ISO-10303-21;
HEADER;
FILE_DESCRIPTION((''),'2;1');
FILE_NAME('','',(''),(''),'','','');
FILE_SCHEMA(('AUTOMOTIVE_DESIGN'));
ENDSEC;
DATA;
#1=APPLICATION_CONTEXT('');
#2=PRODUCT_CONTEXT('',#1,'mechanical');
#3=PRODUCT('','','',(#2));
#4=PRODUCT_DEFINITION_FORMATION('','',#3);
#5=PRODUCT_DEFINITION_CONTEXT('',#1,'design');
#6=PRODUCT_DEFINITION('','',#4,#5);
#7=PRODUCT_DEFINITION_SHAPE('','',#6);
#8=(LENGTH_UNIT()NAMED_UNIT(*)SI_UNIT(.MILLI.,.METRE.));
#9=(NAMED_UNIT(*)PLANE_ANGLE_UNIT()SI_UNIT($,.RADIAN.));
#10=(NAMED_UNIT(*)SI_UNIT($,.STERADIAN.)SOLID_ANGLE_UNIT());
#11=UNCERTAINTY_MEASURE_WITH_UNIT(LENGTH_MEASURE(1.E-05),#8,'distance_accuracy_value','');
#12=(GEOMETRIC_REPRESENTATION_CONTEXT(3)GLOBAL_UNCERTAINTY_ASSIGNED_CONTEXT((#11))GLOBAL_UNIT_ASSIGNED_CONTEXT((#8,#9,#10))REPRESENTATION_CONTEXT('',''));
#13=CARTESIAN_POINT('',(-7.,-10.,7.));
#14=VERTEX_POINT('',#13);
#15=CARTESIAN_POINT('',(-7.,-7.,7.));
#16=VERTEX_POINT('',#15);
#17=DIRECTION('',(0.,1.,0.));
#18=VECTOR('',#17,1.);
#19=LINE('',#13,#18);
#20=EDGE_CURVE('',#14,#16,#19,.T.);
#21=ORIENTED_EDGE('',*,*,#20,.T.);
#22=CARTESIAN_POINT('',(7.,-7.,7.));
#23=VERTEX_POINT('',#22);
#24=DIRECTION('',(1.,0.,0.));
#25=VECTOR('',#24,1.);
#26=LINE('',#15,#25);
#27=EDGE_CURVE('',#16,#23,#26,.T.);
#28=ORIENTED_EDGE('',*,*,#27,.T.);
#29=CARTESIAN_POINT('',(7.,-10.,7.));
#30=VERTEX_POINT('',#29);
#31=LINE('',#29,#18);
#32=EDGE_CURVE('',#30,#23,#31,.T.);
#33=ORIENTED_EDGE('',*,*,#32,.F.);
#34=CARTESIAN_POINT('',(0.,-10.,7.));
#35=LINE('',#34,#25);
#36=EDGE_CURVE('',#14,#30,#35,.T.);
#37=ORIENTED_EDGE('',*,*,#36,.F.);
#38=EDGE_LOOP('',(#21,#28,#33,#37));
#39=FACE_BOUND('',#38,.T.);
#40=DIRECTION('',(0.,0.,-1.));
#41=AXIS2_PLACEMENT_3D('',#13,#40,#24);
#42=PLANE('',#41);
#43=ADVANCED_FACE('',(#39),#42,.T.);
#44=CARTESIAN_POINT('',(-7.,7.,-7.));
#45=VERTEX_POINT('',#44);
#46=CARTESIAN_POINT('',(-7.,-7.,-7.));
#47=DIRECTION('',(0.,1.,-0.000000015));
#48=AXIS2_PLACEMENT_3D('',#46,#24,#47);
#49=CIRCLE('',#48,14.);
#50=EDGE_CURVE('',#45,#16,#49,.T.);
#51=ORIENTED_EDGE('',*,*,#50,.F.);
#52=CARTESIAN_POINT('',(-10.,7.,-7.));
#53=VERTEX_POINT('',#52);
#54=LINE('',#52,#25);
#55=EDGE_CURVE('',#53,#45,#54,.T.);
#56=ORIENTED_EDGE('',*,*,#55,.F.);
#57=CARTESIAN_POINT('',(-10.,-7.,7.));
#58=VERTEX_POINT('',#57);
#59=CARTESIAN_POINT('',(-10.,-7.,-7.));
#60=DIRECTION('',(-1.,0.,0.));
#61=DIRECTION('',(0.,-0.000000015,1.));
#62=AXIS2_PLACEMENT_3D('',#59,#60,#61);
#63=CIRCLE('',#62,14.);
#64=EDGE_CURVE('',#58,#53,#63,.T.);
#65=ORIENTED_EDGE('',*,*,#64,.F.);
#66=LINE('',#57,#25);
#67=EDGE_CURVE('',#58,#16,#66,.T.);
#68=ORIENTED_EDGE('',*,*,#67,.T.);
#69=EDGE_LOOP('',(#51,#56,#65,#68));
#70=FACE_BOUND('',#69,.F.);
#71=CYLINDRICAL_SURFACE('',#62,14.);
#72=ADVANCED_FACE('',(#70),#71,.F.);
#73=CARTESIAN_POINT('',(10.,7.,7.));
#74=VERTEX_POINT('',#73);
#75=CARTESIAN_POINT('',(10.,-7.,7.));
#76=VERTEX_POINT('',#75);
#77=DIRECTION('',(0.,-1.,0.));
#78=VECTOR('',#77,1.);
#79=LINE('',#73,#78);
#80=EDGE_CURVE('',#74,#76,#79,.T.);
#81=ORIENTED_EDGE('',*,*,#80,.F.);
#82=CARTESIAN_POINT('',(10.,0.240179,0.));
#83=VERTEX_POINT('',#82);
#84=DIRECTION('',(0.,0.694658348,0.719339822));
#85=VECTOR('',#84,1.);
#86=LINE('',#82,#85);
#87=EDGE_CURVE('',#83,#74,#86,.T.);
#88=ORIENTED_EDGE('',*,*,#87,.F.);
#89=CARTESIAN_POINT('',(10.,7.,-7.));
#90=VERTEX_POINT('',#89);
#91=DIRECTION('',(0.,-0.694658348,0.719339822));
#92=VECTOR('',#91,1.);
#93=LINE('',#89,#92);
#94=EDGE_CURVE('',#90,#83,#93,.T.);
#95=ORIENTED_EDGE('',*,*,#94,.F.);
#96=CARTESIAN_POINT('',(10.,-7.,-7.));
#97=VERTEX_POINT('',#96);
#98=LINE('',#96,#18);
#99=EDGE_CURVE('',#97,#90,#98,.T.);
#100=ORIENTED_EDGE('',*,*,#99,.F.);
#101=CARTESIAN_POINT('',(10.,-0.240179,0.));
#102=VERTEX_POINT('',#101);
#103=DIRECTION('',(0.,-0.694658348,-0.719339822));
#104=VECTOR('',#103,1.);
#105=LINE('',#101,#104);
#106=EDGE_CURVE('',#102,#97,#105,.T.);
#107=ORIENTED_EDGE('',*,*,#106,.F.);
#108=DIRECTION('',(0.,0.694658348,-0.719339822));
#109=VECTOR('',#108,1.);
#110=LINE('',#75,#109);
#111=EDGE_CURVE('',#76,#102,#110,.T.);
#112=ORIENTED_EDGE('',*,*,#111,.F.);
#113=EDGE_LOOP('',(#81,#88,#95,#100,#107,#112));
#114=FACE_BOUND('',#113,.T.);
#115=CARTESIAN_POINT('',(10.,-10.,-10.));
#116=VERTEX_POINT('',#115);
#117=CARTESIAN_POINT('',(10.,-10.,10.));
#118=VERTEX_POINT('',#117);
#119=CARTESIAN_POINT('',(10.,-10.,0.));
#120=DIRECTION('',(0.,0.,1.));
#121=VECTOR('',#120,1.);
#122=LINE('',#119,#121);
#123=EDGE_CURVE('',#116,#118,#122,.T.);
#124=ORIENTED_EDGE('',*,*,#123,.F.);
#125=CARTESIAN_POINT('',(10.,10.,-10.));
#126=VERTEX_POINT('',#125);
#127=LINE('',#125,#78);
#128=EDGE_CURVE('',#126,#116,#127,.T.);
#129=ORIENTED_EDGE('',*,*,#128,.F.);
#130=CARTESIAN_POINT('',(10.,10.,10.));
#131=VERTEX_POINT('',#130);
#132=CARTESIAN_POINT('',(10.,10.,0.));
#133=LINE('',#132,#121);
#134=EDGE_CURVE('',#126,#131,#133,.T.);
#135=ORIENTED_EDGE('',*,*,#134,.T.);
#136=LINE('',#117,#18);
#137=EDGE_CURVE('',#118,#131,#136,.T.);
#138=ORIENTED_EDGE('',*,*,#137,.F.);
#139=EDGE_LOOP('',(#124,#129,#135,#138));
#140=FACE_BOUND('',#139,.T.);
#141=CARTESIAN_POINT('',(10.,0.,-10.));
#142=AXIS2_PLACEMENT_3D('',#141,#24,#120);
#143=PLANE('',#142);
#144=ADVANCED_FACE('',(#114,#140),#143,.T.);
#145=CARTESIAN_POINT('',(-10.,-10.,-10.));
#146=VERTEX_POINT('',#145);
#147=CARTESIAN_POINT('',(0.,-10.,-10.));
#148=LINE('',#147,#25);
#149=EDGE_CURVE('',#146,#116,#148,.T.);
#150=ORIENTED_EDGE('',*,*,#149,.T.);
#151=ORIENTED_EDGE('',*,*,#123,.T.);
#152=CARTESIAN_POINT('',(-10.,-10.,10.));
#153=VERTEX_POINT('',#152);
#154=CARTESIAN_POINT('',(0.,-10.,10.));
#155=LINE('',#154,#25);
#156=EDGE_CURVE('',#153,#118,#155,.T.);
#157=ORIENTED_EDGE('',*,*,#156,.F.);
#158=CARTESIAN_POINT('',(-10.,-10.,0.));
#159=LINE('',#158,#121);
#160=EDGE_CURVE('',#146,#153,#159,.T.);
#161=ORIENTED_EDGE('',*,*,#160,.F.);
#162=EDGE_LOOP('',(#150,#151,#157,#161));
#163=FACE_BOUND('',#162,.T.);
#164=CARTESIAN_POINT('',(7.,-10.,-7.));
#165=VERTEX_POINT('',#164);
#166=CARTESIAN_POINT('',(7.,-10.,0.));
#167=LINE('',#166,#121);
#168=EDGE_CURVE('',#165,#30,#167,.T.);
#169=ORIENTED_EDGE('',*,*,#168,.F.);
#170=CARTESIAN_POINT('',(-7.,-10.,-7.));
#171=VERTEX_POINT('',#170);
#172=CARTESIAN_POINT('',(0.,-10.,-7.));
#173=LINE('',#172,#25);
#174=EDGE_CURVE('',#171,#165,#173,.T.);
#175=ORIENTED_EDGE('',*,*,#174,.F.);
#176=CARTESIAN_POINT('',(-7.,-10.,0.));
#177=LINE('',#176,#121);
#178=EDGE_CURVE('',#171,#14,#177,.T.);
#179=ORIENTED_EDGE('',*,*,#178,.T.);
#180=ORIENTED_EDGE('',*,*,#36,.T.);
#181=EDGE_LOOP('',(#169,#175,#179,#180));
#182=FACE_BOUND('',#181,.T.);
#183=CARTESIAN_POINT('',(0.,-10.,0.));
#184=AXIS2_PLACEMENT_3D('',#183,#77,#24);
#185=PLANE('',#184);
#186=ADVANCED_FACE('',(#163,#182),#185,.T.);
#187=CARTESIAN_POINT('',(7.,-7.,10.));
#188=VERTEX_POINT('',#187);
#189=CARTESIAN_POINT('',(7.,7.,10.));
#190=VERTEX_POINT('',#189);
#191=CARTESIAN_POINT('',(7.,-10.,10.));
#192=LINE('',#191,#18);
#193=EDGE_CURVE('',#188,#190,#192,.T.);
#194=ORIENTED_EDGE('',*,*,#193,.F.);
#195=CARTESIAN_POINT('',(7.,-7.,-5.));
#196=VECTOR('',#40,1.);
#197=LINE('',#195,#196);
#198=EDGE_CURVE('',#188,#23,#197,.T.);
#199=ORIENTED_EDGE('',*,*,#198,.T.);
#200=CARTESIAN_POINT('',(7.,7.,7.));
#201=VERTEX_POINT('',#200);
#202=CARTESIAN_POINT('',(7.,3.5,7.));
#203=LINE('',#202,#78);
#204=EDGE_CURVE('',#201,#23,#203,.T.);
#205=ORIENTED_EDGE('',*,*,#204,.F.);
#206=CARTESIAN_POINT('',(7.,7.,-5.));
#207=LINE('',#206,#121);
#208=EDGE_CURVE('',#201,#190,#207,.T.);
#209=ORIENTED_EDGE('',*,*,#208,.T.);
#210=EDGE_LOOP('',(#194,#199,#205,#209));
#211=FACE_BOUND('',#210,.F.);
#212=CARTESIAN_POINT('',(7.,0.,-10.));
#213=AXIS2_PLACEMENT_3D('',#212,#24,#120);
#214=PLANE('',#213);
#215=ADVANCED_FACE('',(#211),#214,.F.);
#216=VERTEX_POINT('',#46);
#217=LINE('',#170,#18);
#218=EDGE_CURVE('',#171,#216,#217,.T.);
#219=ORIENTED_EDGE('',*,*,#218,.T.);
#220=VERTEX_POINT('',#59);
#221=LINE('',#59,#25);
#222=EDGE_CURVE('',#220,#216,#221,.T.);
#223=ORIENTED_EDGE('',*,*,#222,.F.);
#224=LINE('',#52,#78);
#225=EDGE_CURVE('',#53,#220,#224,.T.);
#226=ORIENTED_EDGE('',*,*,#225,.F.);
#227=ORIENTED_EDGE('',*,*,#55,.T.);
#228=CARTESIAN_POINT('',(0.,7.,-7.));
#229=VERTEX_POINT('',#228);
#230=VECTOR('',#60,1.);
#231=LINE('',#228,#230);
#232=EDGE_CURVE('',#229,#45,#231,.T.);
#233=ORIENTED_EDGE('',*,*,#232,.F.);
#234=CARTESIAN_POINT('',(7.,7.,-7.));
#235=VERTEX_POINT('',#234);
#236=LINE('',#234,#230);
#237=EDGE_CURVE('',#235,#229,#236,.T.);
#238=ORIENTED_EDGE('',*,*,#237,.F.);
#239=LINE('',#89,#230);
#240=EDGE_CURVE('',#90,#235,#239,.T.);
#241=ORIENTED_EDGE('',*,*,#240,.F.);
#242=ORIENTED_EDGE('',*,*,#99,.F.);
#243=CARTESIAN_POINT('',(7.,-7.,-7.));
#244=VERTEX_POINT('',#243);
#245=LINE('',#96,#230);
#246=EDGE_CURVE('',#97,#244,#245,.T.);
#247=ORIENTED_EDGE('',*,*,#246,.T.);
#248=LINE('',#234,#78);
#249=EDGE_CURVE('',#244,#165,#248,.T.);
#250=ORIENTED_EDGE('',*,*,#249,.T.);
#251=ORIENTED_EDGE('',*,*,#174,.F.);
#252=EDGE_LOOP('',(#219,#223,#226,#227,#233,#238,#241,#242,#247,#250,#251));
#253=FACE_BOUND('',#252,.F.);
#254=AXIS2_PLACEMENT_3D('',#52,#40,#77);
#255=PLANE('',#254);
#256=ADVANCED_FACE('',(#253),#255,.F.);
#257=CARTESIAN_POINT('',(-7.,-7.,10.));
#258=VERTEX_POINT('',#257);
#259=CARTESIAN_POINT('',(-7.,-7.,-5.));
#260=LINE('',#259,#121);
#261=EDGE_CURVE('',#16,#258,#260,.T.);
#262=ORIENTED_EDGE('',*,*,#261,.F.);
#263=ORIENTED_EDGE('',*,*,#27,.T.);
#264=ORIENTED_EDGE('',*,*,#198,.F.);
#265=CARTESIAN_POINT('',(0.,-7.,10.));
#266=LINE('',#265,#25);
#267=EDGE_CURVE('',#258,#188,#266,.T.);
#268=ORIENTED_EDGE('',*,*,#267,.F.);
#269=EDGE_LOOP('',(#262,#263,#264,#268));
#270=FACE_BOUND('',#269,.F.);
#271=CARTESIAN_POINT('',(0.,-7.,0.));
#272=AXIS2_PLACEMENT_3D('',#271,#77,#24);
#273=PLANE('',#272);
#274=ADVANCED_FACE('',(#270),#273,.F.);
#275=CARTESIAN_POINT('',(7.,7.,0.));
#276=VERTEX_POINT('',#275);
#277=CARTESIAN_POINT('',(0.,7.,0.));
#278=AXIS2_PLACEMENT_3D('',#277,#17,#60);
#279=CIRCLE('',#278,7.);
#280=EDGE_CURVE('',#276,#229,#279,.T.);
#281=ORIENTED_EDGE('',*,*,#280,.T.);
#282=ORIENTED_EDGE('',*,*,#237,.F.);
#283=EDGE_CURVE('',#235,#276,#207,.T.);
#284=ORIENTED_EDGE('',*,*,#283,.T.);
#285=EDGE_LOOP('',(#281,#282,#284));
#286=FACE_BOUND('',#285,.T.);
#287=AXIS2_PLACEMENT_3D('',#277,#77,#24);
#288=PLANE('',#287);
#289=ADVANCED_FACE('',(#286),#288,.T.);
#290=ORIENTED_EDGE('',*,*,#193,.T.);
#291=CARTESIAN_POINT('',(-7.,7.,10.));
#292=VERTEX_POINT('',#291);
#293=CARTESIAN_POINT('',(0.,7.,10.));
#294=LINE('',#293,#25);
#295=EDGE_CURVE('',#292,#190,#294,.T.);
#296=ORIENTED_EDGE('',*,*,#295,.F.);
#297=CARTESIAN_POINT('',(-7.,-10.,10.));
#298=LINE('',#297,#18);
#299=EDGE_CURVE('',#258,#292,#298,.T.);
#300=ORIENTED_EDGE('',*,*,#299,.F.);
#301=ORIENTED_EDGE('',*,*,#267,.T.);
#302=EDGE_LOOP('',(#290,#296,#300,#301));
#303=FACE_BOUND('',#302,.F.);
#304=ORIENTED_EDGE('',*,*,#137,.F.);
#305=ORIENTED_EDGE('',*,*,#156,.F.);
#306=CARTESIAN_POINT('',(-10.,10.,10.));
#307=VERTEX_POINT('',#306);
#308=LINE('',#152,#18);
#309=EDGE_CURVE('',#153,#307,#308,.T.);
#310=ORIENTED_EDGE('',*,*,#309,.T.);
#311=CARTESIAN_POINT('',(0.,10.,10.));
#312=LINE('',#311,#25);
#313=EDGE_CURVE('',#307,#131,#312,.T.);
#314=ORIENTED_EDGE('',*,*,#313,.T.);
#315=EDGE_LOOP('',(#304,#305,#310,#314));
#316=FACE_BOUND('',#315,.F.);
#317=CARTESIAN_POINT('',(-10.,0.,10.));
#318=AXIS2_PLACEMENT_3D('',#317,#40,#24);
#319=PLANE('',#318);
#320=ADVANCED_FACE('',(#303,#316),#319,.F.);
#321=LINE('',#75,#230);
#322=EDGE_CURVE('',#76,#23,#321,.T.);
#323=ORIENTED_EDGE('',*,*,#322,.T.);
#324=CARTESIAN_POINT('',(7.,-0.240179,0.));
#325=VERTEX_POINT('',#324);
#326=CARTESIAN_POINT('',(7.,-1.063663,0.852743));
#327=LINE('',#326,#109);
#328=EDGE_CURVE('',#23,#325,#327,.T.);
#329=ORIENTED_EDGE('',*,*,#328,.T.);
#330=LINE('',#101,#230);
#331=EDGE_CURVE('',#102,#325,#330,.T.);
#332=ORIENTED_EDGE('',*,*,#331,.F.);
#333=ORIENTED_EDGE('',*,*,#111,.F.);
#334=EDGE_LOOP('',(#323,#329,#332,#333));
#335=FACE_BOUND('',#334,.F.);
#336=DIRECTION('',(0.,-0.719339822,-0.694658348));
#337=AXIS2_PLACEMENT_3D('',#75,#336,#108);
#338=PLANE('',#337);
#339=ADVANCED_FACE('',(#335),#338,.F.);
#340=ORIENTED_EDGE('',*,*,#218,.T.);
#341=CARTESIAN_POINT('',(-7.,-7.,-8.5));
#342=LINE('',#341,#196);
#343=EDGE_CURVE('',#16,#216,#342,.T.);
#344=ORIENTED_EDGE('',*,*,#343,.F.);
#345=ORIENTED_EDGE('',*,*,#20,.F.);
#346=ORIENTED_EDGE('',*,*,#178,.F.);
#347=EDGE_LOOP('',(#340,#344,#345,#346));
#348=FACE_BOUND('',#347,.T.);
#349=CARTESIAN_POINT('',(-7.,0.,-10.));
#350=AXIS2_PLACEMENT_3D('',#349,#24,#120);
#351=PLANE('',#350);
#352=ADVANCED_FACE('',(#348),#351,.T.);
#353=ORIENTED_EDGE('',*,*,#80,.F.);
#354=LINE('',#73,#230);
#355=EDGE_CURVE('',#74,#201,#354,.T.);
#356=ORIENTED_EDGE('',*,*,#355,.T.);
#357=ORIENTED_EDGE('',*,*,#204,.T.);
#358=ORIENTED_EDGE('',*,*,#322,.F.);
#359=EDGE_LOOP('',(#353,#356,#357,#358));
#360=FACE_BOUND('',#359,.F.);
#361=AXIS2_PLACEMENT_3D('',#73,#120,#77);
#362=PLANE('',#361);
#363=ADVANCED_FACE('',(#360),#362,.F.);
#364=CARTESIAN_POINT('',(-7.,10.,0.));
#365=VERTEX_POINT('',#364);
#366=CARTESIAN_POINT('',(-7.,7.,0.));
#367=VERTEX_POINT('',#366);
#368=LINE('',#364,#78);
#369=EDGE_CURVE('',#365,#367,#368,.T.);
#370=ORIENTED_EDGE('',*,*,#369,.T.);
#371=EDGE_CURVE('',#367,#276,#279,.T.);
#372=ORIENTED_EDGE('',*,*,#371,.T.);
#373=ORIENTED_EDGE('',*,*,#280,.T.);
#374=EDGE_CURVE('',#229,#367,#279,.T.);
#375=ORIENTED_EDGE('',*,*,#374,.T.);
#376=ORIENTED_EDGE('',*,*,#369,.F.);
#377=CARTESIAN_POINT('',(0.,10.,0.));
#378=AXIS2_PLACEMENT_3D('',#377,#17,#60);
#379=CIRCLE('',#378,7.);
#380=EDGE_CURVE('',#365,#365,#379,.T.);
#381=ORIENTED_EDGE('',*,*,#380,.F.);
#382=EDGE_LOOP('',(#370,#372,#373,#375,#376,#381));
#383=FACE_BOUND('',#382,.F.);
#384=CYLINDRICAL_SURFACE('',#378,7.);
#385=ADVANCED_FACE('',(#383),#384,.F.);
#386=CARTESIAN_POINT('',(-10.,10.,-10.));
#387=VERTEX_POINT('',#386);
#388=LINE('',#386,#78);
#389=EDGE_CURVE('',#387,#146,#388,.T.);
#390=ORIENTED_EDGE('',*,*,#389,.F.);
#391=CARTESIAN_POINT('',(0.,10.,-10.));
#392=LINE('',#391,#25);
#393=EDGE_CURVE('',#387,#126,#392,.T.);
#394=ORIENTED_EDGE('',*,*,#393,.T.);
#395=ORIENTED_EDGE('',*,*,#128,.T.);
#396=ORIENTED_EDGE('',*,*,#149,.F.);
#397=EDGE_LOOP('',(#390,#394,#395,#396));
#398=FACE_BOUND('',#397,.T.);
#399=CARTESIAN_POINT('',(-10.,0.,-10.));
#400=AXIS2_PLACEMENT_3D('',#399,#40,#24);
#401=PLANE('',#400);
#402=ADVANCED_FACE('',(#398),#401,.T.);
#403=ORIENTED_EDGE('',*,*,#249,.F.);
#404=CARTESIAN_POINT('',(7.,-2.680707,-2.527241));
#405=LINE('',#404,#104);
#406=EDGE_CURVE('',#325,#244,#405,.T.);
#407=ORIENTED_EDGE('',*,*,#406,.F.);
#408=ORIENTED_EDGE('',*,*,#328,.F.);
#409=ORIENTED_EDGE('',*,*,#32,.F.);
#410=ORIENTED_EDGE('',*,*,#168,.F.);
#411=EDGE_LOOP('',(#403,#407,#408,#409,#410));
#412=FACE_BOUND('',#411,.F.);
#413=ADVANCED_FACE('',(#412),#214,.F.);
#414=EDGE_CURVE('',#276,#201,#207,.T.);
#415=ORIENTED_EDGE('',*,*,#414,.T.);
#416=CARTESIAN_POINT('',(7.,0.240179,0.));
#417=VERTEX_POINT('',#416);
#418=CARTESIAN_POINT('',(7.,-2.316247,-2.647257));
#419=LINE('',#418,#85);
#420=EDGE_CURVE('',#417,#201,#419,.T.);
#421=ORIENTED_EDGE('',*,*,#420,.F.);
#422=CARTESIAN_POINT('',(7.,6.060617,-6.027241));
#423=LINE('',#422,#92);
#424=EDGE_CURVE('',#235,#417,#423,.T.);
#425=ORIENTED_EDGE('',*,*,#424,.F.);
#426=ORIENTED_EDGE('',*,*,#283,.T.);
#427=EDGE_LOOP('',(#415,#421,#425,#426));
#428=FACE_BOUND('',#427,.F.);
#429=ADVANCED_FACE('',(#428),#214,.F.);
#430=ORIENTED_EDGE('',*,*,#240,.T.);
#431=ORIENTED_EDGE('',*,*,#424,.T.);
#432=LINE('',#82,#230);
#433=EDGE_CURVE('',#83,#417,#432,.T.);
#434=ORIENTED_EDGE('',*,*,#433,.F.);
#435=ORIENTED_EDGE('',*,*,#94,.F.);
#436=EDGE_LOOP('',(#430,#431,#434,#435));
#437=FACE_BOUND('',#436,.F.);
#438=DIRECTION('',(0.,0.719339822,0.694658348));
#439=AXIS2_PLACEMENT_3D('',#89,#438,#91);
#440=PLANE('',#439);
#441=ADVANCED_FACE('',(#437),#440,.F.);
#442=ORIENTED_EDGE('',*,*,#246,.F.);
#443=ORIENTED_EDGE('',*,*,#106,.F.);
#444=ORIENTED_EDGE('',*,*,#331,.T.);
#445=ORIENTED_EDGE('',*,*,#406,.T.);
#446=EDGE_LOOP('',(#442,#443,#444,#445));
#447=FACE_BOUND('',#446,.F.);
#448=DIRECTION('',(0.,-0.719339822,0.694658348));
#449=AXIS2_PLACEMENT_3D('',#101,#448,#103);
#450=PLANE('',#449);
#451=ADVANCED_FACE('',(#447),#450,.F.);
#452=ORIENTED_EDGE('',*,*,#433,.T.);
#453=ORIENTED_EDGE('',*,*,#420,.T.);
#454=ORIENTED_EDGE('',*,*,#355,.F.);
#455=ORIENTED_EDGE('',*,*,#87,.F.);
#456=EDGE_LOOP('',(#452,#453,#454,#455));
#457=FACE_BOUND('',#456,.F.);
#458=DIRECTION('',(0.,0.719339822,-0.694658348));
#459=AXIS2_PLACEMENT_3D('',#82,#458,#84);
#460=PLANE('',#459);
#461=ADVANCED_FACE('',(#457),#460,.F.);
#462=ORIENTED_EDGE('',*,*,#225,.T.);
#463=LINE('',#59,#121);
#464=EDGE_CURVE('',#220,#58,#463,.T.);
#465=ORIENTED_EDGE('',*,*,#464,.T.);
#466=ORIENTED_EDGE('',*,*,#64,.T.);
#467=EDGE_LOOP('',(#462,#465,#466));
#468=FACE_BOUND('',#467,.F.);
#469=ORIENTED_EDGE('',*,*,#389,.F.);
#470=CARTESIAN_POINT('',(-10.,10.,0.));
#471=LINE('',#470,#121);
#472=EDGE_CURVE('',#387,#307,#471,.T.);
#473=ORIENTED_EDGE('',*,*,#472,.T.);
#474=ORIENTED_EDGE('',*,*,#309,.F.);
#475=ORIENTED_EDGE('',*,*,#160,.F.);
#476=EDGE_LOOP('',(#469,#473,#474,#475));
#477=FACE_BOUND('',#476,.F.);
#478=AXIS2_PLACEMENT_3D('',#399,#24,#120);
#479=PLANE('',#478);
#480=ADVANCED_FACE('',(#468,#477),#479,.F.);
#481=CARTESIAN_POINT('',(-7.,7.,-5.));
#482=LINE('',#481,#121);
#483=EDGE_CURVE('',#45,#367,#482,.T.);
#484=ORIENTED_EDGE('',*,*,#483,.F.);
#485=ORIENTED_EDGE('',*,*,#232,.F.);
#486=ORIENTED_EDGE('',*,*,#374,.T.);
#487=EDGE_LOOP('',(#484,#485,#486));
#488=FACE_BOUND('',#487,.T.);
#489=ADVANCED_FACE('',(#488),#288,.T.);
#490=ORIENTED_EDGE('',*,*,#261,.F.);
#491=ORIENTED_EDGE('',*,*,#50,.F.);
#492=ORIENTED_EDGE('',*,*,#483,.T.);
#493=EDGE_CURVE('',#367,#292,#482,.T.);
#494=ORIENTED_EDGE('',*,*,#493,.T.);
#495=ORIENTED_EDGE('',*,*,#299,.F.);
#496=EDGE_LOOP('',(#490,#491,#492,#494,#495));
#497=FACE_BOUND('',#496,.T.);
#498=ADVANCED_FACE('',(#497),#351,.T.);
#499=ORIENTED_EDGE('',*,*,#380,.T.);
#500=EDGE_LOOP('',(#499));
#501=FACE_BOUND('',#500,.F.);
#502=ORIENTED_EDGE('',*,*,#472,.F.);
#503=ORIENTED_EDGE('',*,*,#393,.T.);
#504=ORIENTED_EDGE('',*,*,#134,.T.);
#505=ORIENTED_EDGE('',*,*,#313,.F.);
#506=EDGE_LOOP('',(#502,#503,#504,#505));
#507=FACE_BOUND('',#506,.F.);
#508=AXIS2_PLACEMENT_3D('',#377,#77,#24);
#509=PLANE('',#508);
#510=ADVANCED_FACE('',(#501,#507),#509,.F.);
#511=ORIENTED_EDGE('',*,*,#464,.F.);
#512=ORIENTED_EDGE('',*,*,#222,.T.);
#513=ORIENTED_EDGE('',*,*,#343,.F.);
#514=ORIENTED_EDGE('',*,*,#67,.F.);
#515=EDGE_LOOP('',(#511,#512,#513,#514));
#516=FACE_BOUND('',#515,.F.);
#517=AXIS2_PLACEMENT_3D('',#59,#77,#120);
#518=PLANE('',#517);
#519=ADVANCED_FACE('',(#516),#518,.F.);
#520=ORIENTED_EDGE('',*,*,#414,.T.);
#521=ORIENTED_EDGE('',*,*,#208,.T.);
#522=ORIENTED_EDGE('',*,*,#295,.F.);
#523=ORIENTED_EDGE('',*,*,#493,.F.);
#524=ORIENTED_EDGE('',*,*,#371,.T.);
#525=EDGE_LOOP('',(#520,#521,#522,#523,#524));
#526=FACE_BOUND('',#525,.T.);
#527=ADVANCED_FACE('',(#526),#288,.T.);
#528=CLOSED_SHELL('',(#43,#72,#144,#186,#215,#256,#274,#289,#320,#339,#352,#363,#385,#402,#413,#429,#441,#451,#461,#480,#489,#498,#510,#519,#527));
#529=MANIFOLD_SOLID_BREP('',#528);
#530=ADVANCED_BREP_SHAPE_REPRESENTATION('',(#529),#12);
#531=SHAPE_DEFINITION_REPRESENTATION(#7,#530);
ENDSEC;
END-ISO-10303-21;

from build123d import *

# Parameters (mm, degrees)
F0_W      = 20
F0_H      = 20
F1_DEPTH  = 10
F2_T      = -3
F3_R      = 7
F4_DEPTH  = 6
F5_W      = 14
F5_H      = 14
F6_DEPTH  = 6
F8_DEPTH  = 6
F10_DEPTH = 6


with BuildPart() as f1:
    # F0 (on Front) → F1 (new body, symmetric)
    with BuildSketch(Plane.XZ):
        Rectangle(F0_W, F0_H)
    extrude(amount=F1_DEPTH, both=True)

    # F2
    f2_openings = [f1.faces().sort_by_distance(p)[0] for p in [
        (0, 0, 10),
    ]]
    offset(amount=F2_T, openings=f2_openings)

    # F3 (on face) → F4 (cut)
    with BuildSketch(Plane(origin=(0, 10, 0), x_dir=(-1, 0, 0), z_dir=(0, 1, 0))):
        Circle(F3_R)
    extrude(amount=-F4_DEPTH, mode=Mode.SUBTRACT)

    # F5 (on face) → F6 (cut)
    with BuildSketch(Plane.XZ.offset(10)):
        Rectangle(F5_W, F5_H)
    extrude(amount=-F6_DEPTH, mode=Mode.SUBTRACT)

    # F7 (on face) → F8 (cut)
    with BuildSketch(Plane.YZ.offset(10)):
        Polygon((-0.240179, 0), (-7, -7), (7, -7), (0.240179, 0), (7, 7), (-7, 7), align=None)
    extrude(amount=-F8_DEPTH, mode=Mode.SUBTRACT)

    # F9 (on face) → F10 (cut)
    with BuildSketch(Plane(origin=(-10, 0, 0), x_dir=(0, -1, 0), z_dir=(-1, 0, 0))):
        with BuildLine():
            ThreePointArc((7, 7), (-2.899495, 2.899495), (-7, -7))
            Line((-7, -7), (7, -7))
            Line((7, -7), (7, 7))
        make_face()
    extrude(amount=-F10_DEPTH, mode=Mode.SUBTRACT)


solid = f1.part
